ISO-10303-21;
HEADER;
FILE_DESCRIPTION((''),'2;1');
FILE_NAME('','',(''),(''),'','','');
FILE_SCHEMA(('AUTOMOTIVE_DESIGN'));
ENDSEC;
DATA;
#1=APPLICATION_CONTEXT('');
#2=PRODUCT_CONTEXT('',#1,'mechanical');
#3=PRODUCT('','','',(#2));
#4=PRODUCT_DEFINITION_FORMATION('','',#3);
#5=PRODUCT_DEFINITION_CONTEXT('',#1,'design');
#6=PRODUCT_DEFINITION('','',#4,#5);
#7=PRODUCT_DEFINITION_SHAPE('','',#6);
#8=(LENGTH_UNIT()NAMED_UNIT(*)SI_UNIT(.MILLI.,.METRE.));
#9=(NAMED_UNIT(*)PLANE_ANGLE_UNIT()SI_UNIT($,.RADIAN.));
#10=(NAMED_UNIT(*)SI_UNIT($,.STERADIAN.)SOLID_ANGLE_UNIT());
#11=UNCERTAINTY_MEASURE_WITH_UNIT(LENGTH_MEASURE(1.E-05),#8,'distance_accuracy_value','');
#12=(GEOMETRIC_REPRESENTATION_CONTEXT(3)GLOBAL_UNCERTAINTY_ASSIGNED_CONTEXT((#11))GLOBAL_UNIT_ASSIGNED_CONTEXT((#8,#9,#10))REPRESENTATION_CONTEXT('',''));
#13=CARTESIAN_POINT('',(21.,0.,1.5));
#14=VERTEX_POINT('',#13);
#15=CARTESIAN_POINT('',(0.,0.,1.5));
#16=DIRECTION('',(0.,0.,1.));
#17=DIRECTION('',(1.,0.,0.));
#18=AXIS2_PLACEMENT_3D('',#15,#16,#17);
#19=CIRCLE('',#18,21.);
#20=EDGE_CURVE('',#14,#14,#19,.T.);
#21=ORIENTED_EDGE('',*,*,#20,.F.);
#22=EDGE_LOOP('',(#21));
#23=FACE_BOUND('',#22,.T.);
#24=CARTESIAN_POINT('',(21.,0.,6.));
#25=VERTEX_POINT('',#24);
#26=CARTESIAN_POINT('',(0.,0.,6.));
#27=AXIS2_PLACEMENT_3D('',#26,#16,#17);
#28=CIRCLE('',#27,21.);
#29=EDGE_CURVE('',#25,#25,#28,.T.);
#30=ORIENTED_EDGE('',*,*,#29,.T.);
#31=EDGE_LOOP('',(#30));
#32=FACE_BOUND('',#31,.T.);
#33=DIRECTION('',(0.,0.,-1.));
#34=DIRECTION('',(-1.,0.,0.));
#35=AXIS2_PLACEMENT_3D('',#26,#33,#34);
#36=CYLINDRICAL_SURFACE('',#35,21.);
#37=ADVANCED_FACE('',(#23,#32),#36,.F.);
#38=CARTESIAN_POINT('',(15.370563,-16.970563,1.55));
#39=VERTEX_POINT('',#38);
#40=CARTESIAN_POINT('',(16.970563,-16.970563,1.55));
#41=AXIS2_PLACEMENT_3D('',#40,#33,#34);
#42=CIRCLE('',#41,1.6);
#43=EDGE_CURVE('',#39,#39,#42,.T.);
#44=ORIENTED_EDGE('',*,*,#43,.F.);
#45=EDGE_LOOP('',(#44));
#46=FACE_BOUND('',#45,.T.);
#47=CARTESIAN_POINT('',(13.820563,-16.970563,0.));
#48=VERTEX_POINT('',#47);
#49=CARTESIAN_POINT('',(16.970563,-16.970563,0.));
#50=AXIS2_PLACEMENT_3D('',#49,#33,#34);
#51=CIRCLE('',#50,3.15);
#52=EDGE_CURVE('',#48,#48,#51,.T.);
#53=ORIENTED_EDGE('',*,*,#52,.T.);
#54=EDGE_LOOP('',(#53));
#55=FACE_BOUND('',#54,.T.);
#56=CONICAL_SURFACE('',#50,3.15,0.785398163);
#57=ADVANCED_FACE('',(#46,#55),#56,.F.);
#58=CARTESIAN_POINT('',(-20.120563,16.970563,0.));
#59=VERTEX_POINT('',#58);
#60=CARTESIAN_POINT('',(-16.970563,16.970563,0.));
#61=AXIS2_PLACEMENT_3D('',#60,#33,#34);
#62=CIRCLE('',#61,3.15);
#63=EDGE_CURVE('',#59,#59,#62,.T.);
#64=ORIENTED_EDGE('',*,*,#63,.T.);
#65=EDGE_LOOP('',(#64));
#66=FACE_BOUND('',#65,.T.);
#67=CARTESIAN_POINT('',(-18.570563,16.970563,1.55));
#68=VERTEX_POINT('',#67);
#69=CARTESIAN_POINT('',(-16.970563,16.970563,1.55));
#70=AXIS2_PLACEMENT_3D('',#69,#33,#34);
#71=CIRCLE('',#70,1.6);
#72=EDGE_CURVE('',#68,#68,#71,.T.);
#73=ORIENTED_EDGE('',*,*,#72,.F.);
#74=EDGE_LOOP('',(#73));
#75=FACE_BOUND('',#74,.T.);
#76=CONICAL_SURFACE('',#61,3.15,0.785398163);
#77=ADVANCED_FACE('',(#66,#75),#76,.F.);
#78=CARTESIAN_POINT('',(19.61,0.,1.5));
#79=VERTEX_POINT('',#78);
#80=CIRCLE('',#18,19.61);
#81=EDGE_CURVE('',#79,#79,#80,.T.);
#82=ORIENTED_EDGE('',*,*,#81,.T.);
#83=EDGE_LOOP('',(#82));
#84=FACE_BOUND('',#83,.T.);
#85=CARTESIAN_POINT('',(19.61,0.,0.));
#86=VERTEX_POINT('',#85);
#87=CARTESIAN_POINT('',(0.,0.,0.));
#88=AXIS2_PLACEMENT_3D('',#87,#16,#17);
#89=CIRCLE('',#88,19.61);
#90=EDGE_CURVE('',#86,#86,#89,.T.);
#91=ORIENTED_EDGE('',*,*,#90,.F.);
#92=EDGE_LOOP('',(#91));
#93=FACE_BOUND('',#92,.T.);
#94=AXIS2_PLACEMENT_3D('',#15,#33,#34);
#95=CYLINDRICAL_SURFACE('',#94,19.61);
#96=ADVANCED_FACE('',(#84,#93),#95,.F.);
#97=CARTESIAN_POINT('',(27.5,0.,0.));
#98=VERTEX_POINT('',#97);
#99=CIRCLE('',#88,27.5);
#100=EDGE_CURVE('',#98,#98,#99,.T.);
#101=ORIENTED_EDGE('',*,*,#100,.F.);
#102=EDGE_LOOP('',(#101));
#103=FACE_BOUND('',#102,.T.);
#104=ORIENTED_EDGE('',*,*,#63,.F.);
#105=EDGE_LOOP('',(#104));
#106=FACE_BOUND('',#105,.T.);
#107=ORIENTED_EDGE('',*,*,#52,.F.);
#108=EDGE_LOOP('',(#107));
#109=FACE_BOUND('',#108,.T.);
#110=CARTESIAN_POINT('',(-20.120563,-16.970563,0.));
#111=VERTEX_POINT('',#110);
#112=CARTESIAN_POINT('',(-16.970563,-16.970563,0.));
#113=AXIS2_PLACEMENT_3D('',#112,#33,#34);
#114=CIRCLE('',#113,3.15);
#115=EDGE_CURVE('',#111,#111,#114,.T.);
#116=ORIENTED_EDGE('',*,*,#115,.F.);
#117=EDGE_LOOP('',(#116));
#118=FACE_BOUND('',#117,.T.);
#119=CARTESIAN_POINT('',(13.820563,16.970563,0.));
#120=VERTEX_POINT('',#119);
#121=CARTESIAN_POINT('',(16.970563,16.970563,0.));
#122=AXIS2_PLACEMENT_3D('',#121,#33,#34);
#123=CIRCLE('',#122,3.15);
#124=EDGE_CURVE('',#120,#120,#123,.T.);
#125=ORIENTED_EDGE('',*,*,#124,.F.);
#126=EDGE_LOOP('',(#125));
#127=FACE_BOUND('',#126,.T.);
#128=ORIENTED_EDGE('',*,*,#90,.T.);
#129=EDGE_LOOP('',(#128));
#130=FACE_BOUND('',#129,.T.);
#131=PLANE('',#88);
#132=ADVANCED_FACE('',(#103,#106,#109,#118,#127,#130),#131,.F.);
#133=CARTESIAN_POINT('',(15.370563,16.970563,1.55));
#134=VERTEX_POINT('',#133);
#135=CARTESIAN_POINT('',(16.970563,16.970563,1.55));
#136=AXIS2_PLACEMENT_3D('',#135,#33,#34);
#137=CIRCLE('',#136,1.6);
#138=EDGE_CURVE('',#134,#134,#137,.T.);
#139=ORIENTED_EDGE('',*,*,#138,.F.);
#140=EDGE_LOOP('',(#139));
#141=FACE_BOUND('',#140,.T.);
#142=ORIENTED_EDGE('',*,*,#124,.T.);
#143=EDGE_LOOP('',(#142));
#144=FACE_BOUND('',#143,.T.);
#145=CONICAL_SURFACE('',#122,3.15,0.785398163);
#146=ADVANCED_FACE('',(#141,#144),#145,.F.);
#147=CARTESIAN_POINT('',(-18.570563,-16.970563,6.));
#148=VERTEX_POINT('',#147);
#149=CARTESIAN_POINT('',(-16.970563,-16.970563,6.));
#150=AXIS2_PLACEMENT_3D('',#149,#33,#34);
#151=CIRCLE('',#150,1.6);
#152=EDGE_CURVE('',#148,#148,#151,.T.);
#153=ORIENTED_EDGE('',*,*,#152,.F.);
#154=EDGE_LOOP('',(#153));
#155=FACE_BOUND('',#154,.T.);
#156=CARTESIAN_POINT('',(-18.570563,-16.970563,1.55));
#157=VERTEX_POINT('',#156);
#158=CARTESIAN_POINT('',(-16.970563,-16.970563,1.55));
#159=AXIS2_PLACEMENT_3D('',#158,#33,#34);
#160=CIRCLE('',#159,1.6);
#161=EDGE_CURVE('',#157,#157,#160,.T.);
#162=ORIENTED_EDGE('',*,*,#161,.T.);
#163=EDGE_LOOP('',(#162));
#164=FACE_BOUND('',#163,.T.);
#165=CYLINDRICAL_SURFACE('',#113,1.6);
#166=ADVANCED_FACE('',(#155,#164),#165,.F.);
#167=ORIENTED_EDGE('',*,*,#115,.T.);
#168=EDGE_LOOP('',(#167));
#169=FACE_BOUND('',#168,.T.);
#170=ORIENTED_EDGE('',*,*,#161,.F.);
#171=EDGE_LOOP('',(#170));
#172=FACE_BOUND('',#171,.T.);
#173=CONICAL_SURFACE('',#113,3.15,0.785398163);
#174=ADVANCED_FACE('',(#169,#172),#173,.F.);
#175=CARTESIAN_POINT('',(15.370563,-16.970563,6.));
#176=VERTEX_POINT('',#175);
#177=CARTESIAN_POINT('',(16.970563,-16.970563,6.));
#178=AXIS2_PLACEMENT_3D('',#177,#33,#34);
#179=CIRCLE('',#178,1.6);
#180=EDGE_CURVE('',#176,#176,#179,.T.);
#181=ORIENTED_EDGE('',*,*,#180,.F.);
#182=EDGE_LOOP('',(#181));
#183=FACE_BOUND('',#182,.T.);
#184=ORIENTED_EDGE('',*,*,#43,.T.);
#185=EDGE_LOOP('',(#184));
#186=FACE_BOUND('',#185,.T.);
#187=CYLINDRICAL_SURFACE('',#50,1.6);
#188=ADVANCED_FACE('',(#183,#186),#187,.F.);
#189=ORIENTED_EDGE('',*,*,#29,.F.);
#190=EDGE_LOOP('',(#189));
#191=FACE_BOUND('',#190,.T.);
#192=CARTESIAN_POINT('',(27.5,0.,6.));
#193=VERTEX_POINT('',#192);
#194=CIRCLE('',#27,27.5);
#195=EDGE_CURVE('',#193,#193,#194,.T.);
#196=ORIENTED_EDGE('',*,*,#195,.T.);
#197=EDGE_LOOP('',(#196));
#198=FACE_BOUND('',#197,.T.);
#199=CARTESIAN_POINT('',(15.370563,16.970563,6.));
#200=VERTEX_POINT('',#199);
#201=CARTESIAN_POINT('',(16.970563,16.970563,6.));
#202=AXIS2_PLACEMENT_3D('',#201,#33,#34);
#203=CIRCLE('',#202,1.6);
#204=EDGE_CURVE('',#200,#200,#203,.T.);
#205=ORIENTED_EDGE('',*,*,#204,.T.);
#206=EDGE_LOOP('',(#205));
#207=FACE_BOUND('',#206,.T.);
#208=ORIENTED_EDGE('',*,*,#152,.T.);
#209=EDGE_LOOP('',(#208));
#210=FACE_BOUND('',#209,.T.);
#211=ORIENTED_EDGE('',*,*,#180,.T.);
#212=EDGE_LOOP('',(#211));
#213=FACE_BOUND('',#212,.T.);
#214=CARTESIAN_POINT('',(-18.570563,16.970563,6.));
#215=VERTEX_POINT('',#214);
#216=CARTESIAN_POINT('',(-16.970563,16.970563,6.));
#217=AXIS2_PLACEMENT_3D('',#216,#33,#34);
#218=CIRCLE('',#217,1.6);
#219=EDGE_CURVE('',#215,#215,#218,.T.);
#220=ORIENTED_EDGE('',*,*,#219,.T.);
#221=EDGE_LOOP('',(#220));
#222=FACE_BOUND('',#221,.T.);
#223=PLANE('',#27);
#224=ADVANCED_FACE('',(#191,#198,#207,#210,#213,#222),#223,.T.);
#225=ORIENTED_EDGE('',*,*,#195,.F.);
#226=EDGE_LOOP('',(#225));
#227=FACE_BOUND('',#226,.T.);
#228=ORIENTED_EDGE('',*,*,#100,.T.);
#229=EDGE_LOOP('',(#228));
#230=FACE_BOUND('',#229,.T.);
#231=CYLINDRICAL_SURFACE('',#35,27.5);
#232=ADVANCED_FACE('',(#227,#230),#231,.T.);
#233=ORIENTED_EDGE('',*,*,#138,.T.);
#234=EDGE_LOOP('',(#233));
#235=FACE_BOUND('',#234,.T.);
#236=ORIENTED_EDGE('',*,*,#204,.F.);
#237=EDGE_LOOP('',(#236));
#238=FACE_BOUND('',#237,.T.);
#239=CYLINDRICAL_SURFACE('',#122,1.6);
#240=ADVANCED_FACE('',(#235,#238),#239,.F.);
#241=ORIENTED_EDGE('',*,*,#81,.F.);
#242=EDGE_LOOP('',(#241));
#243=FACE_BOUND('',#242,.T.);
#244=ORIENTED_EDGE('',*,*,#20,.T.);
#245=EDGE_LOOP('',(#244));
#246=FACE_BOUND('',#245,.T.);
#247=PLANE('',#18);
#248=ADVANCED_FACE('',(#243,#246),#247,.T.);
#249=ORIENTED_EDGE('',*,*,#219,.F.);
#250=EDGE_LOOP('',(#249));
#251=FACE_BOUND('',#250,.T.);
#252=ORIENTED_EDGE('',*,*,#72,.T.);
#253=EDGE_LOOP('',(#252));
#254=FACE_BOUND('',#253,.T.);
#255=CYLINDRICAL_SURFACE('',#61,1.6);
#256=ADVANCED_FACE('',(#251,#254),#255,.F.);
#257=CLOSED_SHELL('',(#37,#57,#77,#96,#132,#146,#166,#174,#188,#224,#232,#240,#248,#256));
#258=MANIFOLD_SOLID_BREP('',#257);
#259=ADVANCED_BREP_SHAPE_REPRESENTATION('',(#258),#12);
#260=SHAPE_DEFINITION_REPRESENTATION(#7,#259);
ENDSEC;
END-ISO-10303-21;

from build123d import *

# Parameters (mm, degrees)
SKETCH_1_R                   = 27.5
SKETCH_1_R_2                 = 21
EXTRUDE_1_DEPTH              = 6
SKETCH_1_3_R                 = 21
SKETCH_1_3_R_2               = 19.61
EXTRUDE_2_DEPTH              = 1.5
HOLE_WIZARD_M3_1_D           = 3.2
HOLE_WIZARD_M3_1_CSINK_D     = 6.3
HOLE_WIZARD_M3_1_CSINK_ANGLE = 90


with BuildPart() as part:
    # ｽｹｯﾁ1 → ﾎﾞｽ - 押し出し1 (new body)
    with BuildSketch(Plane.XY):
        Circle(SKETCH_1_R)
        Circle(SKETCH_1_R_2, mode=Mode.SUBTRACT)
    extrude(amount=EXTRUDE_1_DEPTH)

    # ｽｹｯﾁ1<3> → ﾎﾞｽ - 押し出し2 (add)
    with BuildSketch(Plane.XY):
        Circle(SKETCH_1_3_R)
        Circle(SKETCH_1_3_R_2, mode=Mode.SUBTRACT)
    extrude(amount=EXTRUDE_2_DEPTH)

    # M3 丸皿ねじ用皿穴1 (through all)
    with Locations(Plane(origin=(16.970562748, 16.970562748, 0), x_dir=(-1, 0, 0), z_dir=(0, 0, -1))):
        with Locations((0, 0), (33.941125496, 0), (33.941125496, -33.941125496), (0, -33.941125496)):
            CounterSinkHole(HOLE_WIZARD_M3_1_D / 2, HOLE_WIZARD_M3_1_CSINK_D / 2, counter_sink_angle=HOLE_WIZARD_M3_1_CSINK_ANGLE)


solid = part.part
